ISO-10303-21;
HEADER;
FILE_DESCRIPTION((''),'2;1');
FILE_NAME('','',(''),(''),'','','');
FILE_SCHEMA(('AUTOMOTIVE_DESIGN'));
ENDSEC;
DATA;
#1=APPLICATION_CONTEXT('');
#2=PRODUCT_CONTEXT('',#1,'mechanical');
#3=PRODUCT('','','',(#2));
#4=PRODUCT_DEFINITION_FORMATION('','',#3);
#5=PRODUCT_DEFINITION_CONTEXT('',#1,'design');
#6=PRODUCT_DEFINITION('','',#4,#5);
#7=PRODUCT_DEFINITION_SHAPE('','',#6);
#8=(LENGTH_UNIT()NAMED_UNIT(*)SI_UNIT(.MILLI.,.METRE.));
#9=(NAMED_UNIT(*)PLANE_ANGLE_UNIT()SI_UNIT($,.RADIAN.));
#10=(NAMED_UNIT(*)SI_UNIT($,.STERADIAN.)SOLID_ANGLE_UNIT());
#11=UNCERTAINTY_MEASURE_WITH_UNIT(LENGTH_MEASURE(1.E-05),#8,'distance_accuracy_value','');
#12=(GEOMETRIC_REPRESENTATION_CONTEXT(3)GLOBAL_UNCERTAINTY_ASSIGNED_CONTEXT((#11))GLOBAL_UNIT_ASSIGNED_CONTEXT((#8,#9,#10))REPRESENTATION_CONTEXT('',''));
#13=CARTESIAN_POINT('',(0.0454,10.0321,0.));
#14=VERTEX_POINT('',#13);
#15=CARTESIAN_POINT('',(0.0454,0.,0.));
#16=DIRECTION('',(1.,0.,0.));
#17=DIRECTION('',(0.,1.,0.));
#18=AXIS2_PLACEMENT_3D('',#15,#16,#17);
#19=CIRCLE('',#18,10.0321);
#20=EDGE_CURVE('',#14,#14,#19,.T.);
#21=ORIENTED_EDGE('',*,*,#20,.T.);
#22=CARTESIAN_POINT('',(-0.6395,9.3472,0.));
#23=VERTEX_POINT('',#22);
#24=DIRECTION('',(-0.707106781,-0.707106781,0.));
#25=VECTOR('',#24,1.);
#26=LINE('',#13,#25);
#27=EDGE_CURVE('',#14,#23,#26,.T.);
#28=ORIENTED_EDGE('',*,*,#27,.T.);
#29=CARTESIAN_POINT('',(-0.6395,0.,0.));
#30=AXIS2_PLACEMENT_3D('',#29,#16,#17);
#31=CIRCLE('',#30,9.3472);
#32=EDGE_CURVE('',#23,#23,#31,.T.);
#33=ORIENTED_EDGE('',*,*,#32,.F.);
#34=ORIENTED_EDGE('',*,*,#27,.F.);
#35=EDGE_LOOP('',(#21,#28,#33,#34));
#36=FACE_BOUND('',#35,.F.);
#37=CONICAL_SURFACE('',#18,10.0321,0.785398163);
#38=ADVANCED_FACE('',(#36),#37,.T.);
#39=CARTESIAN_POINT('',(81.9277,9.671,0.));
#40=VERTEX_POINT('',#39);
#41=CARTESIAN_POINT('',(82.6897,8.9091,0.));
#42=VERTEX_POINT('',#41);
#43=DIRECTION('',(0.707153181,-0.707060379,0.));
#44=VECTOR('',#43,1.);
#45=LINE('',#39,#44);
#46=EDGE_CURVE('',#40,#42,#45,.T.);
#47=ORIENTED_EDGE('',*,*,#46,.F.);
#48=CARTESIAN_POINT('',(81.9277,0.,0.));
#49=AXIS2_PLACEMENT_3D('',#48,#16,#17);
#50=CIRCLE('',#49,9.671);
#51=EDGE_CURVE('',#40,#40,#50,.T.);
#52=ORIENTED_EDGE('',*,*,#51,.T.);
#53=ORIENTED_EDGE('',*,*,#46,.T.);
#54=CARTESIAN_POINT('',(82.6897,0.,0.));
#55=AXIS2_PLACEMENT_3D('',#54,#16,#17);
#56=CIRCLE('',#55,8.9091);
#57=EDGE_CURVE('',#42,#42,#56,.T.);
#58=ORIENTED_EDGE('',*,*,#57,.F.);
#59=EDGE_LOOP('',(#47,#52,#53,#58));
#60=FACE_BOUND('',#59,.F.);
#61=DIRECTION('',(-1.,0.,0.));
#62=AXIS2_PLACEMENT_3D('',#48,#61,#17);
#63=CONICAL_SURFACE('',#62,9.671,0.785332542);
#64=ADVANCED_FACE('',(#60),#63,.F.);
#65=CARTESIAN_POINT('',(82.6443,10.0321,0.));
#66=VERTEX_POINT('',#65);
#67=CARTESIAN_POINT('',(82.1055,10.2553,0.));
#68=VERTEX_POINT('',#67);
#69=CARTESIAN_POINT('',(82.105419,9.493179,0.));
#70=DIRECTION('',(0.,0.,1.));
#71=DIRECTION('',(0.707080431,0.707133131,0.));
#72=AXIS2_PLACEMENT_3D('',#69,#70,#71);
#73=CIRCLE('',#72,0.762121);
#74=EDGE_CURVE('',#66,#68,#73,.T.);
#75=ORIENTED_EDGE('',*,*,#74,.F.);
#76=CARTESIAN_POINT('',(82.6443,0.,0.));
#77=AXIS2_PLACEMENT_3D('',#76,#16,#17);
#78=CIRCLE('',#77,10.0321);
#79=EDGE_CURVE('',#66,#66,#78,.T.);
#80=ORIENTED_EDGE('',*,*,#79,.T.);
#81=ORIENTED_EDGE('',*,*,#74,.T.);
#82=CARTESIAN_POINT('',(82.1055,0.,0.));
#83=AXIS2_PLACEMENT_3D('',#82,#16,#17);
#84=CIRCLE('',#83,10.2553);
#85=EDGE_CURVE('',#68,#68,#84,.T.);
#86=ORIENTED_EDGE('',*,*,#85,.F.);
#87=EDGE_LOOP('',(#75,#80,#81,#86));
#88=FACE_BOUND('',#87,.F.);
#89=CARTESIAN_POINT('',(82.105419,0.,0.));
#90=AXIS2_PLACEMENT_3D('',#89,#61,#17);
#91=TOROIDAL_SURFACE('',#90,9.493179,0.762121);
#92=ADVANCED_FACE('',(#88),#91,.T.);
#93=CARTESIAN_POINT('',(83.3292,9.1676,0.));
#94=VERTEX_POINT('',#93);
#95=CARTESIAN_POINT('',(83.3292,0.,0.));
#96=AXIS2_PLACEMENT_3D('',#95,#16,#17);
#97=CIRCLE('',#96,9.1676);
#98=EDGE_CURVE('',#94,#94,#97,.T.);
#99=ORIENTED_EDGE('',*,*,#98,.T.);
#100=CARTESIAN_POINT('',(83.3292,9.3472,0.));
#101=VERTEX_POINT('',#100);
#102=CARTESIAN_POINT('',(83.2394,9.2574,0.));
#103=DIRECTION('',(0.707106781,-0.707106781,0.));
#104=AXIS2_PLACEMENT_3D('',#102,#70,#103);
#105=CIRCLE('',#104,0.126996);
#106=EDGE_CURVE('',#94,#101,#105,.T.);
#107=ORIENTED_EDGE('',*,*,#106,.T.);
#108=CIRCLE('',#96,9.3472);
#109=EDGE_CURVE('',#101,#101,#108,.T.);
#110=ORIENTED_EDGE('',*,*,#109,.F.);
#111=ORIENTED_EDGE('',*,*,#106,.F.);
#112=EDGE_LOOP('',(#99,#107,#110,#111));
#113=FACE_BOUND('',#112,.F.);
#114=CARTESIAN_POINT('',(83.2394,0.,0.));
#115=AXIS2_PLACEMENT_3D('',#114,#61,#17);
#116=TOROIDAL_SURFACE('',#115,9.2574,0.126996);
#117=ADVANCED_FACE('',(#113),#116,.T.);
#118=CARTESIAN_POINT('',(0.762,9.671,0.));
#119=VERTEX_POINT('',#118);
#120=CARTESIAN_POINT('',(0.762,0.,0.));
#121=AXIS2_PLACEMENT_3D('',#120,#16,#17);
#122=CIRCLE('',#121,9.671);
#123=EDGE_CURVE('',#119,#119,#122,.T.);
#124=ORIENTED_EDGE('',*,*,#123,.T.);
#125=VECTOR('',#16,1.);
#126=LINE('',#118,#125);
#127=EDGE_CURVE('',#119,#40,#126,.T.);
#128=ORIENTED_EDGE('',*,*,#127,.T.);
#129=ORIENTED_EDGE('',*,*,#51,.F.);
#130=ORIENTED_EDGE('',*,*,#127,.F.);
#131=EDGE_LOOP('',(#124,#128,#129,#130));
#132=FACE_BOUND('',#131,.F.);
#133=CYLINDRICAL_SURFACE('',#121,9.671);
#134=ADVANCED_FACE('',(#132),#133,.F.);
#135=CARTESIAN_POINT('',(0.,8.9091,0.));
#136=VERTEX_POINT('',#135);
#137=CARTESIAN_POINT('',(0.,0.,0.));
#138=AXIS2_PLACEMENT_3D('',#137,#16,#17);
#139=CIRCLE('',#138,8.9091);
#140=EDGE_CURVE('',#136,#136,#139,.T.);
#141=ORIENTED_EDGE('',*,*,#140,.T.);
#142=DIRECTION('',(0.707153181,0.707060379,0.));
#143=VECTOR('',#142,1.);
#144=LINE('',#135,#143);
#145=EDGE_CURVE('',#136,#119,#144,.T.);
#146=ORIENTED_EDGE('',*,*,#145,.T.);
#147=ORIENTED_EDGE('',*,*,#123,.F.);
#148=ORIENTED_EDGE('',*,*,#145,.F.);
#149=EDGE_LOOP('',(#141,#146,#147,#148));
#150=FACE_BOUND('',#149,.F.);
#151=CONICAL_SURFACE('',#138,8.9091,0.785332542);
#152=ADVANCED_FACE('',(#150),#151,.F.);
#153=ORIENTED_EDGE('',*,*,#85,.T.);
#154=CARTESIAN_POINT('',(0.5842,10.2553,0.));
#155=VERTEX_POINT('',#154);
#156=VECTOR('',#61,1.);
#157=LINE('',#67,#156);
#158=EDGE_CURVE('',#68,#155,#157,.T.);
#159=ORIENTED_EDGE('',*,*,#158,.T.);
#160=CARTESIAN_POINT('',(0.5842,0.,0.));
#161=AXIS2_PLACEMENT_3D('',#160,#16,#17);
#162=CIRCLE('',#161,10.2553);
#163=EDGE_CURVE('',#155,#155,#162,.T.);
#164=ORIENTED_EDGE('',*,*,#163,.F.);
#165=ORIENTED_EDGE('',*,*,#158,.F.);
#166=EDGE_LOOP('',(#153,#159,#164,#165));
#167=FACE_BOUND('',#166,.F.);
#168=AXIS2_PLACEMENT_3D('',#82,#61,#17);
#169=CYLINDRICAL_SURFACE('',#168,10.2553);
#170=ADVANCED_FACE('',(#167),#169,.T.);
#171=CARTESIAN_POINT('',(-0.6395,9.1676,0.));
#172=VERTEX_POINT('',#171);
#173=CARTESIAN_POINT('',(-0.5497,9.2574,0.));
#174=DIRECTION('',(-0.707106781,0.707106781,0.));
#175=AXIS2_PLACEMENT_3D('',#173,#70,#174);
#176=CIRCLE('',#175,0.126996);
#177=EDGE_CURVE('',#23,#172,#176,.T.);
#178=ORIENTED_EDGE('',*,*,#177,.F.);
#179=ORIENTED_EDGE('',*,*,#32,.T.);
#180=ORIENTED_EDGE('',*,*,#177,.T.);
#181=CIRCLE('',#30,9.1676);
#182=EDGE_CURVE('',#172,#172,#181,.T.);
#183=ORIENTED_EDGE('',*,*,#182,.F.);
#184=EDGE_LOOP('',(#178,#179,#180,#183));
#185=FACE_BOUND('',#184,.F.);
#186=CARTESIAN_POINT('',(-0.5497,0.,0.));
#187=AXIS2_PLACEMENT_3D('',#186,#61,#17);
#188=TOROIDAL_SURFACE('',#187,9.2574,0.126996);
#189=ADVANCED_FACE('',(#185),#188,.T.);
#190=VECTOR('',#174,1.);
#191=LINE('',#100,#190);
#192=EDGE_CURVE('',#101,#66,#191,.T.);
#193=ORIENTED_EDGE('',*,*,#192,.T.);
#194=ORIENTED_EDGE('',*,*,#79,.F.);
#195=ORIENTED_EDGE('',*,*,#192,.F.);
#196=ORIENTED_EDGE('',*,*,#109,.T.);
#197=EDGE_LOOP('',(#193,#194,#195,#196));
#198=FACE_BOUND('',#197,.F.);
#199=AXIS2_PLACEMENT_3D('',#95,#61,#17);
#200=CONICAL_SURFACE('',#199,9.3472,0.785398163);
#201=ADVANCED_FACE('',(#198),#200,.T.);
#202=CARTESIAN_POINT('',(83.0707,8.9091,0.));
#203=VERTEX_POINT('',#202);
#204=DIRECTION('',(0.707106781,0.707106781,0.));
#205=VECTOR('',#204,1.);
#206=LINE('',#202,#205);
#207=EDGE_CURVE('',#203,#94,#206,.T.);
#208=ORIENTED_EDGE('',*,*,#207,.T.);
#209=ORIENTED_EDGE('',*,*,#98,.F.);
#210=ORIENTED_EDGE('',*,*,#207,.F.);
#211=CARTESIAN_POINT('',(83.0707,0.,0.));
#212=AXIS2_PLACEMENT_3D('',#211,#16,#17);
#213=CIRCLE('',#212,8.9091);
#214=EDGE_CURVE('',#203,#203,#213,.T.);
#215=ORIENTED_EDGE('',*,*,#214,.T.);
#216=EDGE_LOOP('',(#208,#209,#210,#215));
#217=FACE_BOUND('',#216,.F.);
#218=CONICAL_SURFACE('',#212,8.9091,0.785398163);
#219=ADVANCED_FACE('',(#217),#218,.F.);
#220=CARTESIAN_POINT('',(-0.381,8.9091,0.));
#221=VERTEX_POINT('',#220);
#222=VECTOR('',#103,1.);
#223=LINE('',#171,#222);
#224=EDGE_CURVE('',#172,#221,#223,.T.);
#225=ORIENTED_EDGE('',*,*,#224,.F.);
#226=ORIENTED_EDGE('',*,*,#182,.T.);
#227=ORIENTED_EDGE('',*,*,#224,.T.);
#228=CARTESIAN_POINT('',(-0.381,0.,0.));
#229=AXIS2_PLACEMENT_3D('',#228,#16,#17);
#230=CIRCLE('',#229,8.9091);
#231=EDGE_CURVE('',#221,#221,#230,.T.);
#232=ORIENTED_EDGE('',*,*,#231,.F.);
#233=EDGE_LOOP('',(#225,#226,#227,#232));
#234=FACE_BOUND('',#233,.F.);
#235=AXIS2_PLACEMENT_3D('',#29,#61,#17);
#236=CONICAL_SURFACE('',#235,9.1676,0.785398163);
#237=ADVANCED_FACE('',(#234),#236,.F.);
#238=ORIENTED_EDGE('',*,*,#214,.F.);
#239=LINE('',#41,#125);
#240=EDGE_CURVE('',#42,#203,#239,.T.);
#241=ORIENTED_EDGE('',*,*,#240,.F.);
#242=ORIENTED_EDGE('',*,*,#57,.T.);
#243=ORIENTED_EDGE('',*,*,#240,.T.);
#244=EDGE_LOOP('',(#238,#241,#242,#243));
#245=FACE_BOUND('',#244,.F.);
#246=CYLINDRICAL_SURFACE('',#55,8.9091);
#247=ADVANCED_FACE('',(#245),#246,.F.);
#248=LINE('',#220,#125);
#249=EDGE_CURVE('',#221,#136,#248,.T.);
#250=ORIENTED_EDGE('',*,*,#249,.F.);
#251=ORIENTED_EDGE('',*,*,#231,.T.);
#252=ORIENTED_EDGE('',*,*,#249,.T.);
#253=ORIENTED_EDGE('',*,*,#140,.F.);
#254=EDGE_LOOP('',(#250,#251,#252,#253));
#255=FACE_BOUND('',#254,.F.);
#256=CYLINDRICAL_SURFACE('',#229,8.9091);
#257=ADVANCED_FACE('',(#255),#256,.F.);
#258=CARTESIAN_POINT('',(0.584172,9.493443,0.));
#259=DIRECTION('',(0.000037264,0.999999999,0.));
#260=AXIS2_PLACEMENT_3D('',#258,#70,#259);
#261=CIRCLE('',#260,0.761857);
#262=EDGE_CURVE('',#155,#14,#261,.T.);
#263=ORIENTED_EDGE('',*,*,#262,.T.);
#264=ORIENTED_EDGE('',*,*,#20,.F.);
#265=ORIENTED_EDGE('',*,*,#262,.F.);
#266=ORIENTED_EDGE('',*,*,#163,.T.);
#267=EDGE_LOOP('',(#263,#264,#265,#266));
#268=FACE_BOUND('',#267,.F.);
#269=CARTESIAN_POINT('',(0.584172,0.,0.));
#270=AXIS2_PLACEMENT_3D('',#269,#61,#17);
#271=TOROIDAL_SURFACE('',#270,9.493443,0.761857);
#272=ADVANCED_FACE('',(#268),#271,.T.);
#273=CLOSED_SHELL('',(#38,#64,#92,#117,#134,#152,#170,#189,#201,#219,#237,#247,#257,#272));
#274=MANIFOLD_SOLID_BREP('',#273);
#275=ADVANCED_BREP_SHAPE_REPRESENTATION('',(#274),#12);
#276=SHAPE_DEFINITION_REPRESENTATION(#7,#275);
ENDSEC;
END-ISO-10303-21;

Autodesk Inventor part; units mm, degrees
sketch "Sketch_1" plane through (0, 0, 0) normal (0, 0, 1) x (1, 0, 0)
  line L0 (82.6897, 0) -> (0, 0)
  arc A0 (-0.6395, 9.3472) -> (-0.6395, 9.1676) centre (-0.5497, 9.2574) ccw
  line L1 (-0.6395, 9.1676) -> (-0.381, 8.9091)
  line L2 (-0.381, 8.9091) -> (0, 8.9091)
  line L3 (0, 8.9091) -> (0.762, 9.671)
  line L4 (0.762, 9.671) -> (81.9277, 9.671)
  line L5 (81.9277, 9.671) -> (82.6897, 8.9091)
  line L6 (82.6897, 8.9091) -> (83.0707, 8.9091)
  line L7 (83.0707, 8.9091) -> (83.3292, 9.1676)
  arc A1 (83.3292, 9.1676) -> (83.3292, 9.3472) centre (83.2394, 9.2574) ccw
  line L8 (83.3292, 9.3472) -> (82.6443, 10.0321)
  arc A2 (82.6443, 10.0321) -> (82.1055, 10.2553) centre (82.1055, 9.4933) ccw
  line L9 (82.1055, 10.2553) -> (0.5842, 10.2553)
  arc A3 (0.5842, 10.2553) -> (0.0454, 10.0321) centre (0.5842, 9.4933) ccw
  line L10 (0.0454, 10.0321) -> (-0.6395, 9.3472)
revolve "Revolution1" add sketch "Sketch_1" angle 360 about axis through (82.6897, 0, 0) along (1, 0, 0)
ref_plane "cp1_XY" through (41.3449, 10.2553, 0) normal (1, 0, 0) x (0, 0, -1)
ref_plane "cp1_YZ" through (41.3449, 10.2553, 0) normal (0, 0, -1) x (0, 1, 0)
ref_plane "cp1_ZX" through (41.3449, 10.2553, 0) normal (0, 1, 0) x (1, 0, 0)
ref_plane "cp2_XY" through (41.3449, 0, -10.2553) normal (1, 0, 0) x (0, 0, -1)
ref_plane "cp2_YZ" through (41.3449, 0, -10.2553) normal (0, 0, -1) x (0, 1, 0)
ref_plane "cp2_ZX" through (41.3449, 0, -10.2553) normal (0, 1, 0) x (1, 0, 0)
ref_plane "cp3_XY" through (41.3449, -10.2553, 0) normal (1, 0, 0) x (0, 0, -1)
ref_plane "cp3_YZ" through (41.3449, -10.2553, 0) normal (0, 0, -1) x (0, 1, 0)
ref_plane "cp3_ZX" through (41.3449, -10.2553, 0) normal (0, 1, 0) x (1, 0, 0)
ref_plane "cp4_XY" through (41.3449, 0, 10.2553) normal (1, 0, 0) x (0, 0, -1)
ref_plane "cp4_YZ" through (41.3449, 0, 10.2553) normal (0, 0, -1) x (0, 1, 0)
ref_plane "cp4_ZX" through (41.3449, 0, 10.2553) normal (0, 1, 0) x (1, 0, 0)
ref_plane "tube_front_XY" through (0, 0, 0) normal (1, 0, 0) x (0, 0, -1)
ref_plane "tube_front_YZ" through (0, 0, 0) normal (0, 0, -1) x (0, 1, 0)
ref_plane "tube_front_ZX" through (0, 0, 0) normal (0, 1, 0) x (1, 0, 0)
ref_plane "tube_rear_XY" through (82.6897, 0, 0) normal (1, 0, 0) x (0, 0, -1)
ref_plane "tube_rear_YZ" through (82.6897, 0, 0) normal (0, 0, -1) x (0, 1, 0)
ref_plane "tube_rear_ZX" through (82.6897, 0, 0) normal (0, 1, 0) x (1, 0, 0)
properties part number "04R-3_25550C1" material "Steel, Alloy"
